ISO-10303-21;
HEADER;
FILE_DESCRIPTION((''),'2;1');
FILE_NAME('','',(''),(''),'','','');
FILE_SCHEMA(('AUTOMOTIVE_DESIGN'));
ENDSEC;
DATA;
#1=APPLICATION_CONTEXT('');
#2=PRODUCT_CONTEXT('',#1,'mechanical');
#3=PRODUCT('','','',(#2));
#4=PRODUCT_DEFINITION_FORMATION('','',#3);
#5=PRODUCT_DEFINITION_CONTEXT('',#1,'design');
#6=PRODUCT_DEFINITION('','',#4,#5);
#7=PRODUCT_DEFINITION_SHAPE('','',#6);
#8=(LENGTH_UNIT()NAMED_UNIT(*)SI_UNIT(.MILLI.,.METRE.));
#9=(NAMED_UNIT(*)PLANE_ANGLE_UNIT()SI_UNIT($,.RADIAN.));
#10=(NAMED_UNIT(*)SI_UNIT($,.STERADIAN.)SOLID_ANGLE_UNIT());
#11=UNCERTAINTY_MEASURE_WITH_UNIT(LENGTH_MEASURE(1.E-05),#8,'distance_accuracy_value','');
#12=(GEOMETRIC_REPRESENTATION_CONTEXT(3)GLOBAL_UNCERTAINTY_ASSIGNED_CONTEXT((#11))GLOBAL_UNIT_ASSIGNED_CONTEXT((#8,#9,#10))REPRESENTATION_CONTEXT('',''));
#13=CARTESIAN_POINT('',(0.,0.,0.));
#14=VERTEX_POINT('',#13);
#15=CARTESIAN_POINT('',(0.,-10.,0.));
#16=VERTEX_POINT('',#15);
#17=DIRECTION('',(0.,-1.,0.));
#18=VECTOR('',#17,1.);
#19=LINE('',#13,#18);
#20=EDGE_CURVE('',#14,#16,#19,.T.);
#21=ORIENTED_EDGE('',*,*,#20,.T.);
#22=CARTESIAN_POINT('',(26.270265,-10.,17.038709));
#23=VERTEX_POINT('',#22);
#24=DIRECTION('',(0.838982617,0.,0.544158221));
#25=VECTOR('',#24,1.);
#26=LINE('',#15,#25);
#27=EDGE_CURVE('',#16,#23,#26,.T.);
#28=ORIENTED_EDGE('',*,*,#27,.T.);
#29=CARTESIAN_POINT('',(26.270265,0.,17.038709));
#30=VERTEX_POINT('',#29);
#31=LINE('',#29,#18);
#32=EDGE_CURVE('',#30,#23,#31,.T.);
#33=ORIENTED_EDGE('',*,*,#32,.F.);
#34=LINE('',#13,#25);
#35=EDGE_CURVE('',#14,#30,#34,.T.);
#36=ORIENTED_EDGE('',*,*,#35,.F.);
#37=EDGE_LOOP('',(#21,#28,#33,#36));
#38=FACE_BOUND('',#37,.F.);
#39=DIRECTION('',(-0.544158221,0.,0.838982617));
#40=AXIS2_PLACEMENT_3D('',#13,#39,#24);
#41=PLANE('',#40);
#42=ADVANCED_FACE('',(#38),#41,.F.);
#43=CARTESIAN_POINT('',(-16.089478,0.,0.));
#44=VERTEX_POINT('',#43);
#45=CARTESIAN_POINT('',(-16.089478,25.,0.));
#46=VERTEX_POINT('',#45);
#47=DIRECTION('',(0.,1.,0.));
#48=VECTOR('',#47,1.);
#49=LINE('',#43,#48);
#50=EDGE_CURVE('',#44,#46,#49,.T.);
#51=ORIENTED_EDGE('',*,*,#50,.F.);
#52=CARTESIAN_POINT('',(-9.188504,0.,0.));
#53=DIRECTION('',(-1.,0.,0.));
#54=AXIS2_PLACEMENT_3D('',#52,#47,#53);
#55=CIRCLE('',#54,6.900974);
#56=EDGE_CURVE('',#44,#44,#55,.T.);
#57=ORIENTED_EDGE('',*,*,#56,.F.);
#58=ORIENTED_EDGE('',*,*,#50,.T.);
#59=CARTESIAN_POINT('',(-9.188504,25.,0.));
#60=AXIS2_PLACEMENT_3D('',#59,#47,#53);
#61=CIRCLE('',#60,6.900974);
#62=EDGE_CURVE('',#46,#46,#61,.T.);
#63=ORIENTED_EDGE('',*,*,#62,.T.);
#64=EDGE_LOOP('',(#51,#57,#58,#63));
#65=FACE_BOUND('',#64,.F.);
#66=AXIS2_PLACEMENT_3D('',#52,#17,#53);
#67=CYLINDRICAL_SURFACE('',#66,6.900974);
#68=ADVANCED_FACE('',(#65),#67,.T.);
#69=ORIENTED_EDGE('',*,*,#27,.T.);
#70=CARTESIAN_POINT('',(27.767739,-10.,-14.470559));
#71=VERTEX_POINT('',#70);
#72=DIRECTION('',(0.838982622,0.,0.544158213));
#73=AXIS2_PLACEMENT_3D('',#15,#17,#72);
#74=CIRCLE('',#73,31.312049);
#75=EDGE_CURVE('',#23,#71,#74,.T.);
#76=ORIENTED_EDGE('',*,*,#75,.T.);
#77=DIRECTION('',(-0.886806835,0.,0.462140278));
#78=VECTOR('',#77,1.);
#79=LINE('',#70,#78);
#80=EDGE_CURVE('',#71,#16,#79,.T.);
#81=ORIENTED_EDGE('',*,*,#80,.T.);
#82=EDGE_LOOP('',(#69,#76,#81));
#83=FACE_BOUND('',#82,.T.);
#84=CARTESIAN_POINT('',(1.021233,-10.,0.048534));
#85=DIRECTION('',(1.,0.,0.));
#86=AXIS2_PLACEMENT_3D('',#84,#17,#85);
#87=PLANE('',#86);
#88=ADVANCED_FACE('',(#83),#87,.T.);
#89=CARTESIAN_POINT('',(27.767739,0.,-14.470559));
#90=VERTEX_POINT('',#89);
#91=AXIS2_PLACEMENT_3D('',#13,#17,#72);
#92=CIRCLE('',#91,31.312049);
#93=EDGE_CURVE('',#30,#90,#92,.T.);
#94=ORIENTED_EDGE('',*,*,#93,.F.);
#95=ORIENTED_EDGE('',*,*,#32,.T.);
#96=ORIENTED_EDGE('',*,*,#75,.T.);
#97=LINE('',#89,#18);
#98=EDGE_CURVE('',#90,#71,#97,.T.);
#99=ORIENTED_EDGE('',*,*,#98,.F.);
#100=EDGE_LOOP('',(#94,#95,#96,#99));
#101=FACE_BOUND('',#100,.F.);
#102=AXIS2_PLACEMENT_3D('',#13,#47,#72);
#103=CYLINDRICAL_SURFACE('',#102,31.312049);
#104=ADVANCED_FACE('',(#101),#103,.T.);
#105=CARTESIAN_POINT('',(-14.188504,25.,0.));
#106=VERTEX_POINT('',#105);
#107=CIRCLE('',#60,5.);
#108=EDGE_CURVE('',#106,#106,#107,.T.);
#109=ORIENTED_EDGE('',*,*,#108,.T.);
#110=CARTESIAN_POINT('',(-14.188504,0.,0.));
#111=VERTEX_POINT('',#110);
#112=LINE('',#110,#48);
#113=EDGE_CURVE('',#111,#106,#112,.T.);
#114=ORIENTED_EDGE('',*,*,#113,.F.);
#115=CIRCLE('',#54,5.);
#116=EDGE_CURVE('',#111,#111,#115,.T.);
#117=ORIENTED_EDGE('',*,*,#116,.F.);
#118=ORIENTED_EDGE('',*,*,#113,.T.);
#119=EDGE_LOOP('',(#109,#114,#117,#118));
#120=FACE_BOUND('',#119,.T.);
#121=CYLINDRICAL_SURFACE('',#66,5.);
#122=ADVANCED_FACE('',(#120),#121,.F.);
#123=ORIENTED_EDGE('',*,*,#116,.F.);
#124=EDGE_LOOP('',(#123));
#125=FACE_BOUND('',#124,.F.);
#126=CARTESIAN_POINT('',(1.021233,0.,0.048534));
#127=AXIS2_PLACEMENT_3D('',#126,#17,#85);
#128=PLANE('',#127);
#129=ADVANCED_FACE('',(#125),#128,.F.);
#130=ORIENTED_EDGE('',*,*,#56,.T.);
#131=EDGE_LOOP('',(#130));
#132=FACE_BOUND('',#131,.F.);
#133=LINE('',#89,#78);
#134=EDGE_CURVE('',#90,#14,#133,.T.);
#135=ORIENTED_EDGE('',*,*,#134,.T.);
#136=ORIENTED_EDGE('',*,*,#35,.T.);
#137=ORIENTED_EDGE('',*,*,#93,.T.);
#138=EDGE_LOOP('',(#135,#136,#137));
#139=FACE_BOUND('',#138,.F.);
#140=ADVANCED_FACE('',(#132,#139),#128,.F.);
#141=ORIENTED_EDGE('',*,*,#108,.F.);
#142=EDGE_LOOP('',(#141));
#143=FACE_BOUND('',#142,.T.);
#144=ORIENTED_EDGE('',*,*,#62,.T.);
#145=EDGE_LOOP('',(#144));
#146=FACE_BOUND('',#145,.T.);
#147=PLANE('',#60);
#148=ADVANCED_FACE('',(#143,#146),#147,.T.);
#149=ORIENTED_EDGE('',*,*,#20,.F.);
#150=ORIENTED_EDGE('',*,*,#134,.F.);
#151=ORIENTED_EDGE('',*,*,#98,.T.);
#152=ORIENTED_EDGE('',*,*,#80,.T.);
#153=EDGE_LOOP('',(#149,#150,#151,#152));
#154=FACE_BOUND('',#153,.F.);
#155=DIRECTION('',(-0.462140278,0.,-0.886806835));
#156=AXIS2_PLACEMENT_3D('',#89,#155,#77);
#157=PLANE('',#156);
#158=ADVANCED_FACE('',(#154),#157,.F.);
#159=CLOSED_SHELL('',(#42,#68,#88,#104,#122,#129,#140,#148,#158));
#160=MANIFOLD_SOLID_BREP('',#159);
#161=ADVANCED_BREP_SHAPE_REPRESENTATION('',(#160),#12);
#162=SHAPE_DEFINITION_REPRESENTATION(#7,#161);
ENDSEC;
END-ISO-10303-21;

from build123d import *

# Parameters (mm, degrees)
F1_DEPTH = 10
F2_R     = 6.900974
F2_R_2   = 5
F3_DEPTH = 25


with BuildPart() as f1:
    # F0 (on Front) → F1 (new body)
    with BuildSketch(Plane.XZ):
        with BuildLine():
            Line((0, 0), (26.270265, 17.038709))
            ThreePointArc((26.270265, 17.038709), (-31.276748, -1.486424), (27.767739, -14.470559))
            Line((27.767739, -14.470559), (0, 0))
        make_face()
    extrude(amount=F1_DEPTH)

    # F2 (on face) → F3 (join)
    with BuildSketch(Plane(origin=(0, 0, 0), x_dir=(-1, 0, 0), z_dir=(0, 1, 0))):
        with Locations((9.188504, 0)):
            Circle(F2_R)
        with Locations((9.188504, 0)):
            Circle(F2_R_2, mode=Mode.SUBTRACT)
    extrude(amount=F3_DEPTH)


solid = f1.part
